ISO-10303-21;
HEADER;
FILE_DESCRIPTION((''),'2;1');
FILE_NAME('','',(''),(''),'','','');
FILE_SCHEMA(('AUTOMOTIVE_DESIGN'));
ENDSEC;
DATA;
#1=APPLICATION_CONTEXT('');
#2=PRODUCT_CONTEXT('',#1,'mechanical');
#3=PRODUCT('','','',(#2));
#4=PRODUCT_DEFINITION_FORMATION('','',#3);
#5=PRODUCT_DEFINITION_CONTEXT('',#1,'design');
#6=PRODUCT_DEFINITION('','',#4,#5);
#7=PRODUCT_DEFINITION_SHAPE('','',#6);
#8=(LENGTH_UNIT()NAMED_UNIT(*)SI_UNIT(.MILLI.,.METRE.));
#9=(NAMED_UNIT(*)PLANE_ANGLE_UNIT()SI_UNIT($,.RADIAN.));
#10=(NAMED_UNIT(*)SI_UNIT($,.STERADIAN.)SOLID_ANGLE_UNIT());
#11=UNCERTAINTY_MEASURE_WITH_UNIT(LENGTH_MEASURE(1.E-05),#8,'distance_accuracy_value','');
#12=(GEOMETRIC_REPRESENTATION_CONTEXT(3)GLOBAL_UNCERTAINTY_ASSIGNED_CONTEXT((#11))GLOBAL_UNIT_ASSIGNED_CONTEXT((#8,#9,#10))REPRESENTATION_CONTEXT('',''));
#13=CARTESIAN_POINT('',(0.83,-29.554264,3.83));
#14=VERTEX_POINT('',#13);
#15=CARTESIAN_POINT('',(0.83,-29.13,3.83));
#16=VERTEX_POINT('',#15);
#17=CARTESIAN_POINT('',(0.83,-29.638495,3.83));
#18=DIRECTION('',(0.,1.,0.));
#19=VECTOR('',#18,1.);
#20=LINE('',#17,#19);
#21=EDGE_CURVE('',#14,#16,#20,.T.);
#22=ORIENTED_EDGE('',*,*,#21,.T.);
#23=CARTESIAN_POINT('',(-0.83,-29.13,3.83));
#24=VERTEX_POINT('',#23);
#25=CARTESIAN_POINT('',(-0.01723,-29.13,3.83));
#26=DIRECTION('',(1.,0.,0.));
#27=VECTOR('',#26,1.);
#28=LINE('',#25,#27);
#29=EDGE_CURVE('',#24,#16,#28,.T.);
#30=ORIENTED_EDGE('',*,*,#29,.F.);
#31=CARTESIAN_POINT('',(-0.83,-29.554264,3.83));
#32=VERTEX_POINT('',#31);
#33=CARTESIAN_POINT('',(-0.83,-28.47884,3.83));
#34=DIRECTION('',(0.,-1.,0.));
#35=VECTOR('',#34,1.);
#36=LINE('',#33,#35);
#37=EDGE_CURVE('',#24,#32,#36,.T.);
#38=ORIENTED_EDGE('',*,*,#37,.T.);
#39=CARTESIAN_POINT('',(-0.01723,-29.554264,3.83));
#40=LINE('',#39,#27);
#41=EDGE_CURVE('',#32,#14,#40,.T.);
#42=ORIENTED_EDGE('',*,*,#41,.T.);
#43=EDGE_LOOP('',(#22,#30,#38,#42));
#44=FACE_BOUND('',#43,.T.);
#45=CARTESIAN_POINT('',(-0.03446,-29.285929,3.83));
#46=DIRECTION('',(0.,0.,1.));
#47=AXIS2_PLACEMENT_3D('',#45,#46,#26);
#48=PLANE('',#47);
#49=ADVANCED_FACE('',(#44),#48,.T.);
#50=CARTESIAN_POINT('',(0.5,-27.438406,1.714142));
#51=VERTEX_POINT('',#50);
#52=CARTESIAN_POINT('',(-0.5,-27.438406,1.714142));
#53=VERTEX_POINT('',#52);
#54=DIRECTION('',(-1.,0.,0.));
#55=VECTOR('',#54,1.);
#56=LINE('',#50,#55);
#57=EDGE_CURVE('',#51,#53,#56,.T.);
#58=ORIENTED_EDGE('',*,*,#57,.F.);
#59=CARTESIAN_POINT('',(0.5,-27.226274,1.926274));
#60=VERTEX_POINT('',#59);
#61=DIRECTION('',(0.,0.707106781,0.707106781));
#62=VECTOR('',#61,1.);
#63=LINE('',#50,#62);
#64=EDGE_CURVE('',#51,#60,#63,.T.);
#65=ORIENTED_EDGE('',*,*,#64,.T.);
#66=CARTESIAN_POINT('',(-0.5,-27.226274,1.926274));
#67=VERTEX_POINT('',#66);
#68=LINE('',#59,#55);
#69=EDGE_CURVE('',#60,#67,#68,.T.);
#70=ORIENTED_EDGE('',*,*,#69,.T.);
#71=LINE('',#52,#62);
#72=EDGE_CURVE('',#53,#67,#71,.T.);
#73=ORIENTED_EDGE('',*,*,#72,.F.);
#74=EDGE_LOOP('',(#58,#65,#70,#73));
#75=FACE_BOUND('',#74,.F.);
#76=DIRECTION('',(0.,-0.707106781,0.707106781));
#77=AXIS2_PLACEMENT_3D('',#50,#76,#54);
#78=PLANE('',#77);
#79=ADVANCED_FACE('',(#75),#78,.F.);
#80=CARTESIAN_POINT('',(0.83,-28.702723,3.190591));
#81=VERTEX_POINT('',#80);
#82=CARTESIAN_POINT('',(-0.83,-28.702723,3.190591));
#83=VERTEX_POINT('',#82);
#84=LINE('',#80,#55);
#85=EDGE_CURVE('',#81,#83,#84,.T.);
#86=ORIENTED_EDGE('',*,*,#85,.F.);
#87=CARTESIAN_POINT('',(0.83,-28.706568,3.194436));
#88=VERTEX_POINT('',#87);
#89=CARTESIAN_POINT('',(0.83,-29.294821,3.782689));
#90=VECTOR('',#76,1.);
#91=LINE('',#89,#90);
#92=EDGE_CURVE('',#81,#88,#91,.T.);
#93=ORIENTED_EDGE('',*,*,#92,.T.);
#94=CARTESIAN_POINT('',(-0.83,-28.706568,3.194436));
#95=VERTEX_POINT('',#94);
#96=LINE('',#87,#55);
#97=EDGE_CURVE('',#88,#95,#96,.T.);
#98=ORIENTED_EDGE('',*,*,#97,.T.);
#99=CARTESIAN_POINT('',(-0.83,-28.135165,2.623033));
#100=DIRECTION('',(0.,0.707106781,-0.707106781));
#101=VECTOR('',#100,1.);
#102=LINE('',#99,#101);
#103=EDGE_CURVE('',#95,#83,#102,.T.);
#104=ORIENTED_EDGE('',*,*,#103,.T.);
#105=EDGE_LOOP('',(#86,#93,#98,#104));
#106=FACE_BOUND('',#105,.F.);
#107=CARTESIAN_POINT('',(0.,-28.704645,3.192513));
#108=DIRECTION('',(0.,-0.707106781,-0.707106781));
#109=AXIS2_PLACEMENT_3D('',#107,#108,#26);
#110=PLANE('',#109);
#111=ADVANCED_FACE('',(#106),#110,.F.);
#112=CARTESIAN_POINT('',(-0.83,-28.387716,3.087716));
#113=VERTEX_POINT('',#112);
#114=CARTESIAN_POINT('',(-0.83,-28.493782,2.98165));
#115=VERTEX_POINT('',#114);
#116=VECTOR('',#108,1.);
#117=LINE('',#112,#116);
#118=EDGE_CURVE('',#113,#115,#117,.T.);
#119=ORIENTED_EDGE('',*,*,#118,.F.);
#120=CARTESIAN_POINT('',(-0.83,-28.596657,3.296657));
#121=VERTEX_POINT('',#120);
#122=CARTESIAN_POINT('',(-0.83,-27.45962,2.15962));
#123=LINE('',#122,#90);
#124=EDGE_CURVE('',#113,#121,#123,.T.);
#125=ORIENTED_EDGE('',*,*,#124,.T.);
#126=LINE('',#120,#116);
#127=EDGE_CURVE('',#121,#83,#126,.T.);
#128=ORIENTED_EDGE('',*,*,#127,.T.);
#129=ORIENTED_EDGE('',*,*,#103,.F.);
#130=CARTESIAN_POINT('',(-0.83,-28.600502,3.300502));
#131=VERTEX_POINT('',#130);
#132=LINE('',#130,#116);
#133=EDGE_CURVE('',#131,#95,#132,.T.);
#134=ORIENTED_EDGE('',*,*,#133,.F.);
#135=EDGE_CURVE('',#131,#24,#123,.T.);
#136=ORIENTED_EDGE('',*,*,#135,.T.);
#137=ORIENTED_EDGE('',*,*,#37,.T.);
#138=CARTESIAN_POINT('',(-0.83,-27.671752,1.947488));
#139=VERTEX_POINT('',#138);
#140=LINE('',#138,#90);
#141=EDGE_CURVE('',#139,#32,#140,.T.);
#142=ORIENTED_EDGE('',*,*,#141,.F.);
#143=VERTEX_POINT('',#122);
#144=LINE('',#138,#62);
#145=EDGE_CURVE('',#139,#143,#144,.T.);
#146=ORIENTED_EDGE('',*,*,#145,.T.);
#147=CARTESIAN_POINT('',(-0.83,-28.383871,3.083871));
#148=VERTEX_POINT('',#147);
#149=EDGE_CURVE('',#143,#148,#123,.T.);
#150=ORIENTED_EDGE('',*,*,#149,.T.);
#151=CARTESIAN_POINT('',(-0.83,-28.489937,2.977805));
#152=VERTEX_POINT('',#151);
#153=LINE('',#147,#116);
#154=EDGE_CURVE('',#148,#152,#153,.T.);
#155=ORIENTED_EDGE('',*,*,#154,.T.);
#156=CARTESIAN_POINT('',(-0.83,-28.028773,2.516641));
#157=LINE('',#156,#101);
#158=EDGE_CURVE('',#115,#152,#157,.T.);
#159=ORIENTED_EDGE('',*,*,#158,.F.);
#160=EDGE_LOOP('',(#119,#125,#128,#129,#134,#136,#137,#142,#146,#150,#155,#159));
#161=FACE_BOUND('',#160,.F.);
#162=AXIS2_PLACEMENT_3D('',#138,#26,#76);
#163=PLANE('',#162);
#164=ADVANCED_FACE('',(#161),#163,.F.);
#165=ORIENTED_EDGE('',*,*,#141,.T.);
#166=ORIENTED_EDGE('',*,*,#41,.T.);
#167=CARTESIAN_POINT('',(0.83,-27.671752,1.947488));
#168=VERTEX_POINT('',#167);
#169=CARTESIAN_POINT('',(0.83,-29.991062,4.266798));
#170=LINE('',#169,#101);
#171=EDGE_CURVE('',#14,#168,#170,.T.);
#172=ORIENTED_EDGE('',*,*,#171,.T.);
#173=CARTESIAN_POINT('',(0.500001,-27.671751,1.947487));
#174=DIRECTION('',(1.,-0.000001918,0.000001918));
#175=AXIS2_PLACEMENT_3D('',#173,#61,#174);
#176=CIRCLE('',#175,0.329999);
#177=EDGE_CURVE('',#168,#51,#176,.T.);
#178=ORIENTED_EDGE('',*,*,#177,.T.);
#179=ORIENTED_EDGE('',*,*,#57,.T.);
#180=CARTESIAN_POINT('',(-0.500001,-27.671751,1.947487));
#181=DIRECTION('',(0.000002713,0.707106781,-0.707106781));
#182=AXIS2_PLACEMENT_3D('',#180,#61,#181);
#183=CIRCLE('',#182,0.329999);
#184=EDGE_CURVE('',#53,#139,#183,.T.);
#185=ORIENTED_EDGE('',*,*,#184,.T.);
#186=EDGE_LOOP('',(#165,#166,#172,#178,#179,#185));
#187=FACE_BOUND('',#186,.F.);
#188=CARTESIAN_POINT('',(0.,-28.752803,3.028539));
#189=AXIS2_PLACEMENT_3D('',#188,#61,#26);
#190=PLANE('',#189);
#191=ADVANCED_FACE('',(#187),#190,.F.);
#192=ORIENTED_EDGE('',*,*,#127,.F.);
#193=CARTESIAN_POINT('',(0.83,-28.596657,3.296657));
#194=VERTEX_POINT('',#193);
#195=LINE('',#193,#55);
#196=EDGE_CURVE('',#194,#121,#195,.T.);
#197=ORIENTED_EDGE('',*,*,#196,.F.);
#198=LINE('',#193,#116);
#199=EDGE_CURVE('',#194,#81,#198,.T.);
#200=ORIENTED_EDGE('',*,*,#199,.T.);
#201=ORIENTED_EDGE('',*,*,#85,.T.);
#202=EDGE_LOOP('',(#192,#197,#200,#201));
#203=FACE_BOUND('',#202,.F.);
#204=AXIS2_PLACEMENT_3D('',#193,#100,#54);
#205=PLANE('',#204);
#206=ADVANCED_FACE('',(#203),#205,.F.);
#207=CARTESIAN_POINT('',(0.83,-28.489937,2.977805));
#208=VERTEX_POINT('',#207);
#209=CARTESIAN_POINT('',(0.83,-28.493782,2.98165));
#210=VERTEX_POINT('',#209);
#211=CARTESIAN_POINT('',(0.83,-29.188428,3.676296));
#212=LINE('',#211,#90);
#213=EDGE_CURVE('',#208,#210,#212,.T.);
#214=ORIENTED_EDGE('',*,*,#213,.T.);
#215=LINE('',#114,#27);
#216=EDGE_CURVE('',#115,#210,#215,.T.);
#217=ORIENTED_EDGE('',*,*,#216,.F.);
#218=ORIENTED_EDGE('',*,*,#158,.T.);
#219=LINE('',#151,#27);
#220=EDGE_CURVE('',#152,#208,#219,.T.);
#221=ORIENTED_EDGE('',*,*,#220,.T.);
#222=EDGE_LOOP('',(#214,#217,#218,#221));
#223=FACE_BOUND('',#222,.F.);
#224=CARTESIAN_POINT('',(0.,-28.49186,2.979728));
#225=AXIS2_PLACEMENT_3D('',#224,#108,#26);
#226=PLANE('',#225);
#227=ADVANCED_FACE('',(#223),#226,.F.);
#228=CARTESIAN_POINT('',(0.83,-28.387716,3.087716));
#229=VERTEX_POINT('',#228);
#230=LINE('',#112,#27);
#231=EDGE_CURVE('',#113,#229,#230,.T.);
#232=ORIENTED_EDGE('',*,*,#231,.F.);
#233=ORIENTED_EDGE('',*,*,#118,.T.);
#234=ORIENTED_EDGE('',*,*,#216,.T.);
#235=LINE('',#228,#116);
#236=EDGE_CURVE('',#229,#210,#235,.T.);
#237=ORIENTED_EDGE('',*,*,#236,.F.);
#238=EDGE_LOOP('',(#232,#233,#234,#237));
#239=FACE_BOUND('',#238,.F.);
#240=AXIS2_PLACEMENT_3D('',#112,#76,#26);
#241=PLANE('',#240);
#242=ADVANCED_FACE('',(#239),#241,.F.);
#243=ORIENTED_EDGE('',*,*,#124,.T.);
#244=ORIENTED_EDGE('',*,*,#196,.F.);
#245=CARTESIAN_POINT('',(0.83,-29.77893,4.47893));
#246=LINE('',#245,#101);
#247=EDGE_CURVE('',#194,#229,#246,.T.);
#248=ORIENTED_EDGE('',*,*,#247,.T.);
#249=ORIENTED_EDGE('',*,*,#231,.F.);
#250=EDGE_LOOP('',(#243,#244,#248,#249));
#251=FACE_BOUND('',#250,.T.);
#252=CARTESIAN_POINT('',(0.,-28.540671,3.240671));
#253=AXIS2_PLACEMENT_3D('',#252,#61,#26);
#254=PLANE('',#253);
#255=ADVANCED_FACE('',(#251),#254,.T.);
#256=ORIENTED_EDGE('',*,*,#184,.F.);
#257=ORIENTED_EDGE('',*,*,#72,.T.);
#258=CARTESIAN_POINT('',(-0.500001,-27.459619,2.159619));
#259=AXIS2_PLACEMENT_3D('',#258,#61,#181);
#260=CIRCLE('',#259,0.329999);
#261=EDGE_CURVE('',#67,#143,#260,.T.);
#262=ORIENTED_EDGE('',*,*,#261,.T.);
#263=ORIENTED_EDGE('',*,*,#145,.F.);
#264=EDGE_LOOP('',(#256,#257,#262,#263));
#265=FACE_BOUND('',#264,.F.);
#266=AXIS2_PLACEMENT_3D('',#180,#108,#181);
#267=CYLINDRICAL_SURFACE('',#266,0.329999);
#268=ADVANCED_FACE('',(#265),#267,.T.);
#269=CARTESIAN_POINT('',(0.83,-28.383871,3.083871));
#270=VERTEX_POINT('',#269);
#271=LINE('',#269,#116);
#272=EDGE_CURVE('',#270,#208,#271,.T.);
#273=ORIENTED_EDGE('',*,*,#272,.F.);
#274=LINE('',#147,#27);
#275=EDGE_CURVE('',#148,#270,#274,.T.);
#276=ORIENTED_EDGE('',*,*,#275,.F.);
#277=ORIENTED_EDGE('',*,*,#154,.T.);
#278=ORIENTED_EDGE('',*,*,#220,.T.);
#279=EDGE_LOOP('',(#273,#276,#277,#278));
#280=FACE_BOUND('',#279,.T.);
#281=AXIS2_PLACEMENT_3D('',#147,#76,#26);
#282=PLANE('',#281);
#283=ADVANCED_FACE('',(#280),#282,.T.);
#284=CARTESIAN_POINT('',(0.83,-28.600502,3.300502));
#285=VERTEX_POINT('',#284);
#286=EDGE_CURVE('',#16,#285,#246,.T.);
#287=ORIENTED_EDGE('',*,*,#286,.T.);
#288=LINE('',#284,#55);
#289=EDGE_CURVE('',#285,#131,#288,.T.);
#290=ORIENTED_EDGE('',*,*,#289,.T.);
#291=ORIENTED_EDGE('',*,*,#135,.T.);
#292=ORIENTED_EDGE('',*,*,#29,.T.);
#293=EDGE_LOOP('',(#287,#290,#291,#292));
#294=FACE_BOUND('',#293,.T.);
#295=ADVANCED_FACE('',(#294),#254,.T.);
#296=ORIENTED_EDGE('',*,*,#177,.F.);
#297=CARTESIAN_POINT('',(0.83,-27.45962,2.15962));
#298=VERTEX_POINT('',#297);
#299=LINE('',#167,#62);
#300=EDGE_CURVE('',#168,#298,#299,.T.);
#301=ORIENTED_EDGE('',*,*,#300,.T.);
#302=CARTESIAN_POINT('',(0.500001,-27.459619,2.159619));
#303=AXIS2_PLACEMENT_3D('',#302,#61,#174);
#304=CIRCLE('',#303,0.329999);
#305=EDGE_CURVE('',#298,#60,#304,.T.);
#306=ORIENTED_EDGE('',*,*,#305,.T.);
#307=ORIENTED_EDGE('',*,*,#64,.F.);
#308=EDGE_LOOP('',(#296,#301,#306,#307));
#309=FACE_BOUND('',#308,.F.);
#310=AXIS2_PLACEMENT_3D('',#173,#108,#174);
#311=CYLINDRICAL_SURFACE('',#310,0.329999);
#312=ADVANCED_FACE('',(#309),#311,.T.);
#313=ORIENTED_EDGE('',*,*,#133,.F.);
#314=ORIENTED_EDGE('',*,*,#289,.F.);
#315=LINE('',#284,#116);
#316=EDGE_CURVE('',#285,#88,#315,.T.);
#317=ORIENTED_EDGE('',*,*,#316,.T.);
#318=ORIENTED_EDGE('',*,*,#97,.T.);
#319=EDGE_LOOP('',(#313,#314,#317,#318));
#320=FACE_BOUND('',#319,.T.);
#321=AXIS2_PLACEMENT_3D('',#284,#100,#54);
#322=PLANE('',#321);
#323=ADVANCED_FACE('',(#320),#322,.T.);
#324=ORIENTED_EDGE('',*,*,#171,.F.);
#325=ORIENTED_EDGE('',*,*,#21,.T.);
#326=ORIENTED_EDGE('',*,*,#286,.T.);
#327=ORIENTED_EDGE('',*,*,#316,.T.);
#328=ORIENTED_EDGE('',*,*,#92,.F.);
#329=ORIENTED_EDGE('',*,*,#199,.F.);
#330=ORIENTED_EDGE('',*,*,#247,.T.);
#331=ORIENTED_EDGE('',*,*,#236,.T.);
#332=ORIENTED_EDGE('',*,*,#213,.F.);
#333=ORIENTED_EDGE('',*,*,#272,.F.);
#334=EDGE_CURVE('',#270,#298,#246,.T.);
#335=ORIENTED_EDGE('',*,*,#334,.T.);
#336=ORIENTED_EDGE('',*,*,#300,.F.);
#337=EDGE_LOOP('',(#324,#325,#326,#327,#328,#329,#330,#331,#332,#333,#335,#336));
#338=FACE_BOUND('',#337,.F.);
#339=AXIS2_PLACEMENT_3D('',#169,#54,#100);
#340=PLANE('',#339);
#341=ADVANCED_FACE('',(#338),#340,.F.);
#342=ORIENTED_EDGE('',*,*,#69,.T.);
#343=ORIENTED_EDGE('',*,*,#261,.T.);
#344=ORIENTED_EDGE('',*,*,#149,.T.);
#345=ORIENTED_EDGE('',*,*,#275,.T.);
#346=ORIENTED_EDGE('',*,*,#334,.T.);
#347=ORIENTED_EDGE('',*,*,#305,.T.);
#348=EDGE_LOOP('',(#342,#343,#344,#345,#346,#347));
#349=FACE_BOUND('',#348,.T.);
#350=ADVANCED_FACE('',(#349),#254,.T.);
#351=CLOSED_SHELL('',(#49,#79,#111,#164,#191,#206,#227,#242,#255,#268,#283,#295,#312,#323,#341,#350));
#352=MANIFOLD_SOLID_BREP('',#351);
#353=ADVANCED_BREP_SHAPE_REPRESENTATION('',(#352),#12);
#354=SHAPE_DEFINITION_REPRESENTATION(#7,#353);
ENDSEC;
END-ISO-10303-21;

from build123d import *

# Parameters (mm, degrees)
PAD004_DEPTH    = 0.3
SKETCH021_W     = 3.544396
SKETCH021_H     = 2.825832
POCKET018_DEPTH = 1.17
POCKET020_DEPTH = 0.15


with BuildPart() as part:
    # Sketch020 (on Face1 of Binder003) → Pad004 (new body)
    with BuildSketch(Plane(origin=(0, -12.862132, -12.862132), x_dir=(1, 0, 0), z_dir=(0, 0.707107, 0.707107))):
        with BuildLine():
            Line((-0.83, -20.943965), (-0.83, -24.223965))
            Line((-0.83, -24.223965), (0.83, -24.223965))
            Line((0.83, -24.223965), (0.83, -20.943965))
            ThreePointArc((0.83, -20.943965), (0.733345, -20.710619), (0.5, -20.613965))
            Line((0.5, -20.613965), (-0.5, -20.613965))
            ThreePointArc((-0.5, -20.613965), (-0.733345, -20.710619), (-0.83, -20.943965))
        make_face()
    extrude(amount=PAD004_DEPTH)

    # Sketch021 → Pocket018 (cut)
    with BuildSketch(Plane.XY.offset(5)):
        with Locations((-0.03446, -29.285929)):
            Rectangle(SKETCH021_W, SKETCH021_H)
    extrude(amount=-POCKET018_DEPTH, mode=Mode.SUBTRACT)

    # Sketch024 (on Face4 of Pocket018) → Pocket020 (cut)
    with BuildSketch(Plane(origin=(0, -12.65, -12.65), x_dir=(-1, 0, 0), z_dir=(0, 0.707107, 0.707107))):
        with BuildLine():
            ThreePointArc((0.83, 22.256492), (0.832719, 22.253773), (0.83, 22.251054))
            Line((0.83, 22.251054), (0.276667, 22.251054))
            Line((0.276667, 22.251054), (-0.83, 22.251054))
            ThreePointArc((-0.83, 22.251054), (-0.832719, 22.253773), (-0.83, 22.256492))
            Line((0.276667, 22.256492), (-0.83, 22.256492))
            Line((0.83, 22.256492), (0.276667, 22.256492))
        make_face()
        with BuildLine():
            ThreePointArc((-0.83, 22.551978), (-0.832719, 22.554697), (-0.83, 22.557416))
            Line((-0.83, 22.557416), (-0.276667, 22.557416))
            Line((-0.276667, 22.557416), (0.83, 22.557416))
            ThreePointArc((0.83, 22.557416), (0.832719, 22.554697), (0.83, 22.551978))
            Line((-0.276667, 22.551978), (0.83, 22.551978))
            Line((-0.83, 22.551978), (-0.276667, 22.551978))
        make_face()
    extrude(amount=-POCKET020_DEPTH, mode=Mode.SUBTRACT)


solid = part.part
